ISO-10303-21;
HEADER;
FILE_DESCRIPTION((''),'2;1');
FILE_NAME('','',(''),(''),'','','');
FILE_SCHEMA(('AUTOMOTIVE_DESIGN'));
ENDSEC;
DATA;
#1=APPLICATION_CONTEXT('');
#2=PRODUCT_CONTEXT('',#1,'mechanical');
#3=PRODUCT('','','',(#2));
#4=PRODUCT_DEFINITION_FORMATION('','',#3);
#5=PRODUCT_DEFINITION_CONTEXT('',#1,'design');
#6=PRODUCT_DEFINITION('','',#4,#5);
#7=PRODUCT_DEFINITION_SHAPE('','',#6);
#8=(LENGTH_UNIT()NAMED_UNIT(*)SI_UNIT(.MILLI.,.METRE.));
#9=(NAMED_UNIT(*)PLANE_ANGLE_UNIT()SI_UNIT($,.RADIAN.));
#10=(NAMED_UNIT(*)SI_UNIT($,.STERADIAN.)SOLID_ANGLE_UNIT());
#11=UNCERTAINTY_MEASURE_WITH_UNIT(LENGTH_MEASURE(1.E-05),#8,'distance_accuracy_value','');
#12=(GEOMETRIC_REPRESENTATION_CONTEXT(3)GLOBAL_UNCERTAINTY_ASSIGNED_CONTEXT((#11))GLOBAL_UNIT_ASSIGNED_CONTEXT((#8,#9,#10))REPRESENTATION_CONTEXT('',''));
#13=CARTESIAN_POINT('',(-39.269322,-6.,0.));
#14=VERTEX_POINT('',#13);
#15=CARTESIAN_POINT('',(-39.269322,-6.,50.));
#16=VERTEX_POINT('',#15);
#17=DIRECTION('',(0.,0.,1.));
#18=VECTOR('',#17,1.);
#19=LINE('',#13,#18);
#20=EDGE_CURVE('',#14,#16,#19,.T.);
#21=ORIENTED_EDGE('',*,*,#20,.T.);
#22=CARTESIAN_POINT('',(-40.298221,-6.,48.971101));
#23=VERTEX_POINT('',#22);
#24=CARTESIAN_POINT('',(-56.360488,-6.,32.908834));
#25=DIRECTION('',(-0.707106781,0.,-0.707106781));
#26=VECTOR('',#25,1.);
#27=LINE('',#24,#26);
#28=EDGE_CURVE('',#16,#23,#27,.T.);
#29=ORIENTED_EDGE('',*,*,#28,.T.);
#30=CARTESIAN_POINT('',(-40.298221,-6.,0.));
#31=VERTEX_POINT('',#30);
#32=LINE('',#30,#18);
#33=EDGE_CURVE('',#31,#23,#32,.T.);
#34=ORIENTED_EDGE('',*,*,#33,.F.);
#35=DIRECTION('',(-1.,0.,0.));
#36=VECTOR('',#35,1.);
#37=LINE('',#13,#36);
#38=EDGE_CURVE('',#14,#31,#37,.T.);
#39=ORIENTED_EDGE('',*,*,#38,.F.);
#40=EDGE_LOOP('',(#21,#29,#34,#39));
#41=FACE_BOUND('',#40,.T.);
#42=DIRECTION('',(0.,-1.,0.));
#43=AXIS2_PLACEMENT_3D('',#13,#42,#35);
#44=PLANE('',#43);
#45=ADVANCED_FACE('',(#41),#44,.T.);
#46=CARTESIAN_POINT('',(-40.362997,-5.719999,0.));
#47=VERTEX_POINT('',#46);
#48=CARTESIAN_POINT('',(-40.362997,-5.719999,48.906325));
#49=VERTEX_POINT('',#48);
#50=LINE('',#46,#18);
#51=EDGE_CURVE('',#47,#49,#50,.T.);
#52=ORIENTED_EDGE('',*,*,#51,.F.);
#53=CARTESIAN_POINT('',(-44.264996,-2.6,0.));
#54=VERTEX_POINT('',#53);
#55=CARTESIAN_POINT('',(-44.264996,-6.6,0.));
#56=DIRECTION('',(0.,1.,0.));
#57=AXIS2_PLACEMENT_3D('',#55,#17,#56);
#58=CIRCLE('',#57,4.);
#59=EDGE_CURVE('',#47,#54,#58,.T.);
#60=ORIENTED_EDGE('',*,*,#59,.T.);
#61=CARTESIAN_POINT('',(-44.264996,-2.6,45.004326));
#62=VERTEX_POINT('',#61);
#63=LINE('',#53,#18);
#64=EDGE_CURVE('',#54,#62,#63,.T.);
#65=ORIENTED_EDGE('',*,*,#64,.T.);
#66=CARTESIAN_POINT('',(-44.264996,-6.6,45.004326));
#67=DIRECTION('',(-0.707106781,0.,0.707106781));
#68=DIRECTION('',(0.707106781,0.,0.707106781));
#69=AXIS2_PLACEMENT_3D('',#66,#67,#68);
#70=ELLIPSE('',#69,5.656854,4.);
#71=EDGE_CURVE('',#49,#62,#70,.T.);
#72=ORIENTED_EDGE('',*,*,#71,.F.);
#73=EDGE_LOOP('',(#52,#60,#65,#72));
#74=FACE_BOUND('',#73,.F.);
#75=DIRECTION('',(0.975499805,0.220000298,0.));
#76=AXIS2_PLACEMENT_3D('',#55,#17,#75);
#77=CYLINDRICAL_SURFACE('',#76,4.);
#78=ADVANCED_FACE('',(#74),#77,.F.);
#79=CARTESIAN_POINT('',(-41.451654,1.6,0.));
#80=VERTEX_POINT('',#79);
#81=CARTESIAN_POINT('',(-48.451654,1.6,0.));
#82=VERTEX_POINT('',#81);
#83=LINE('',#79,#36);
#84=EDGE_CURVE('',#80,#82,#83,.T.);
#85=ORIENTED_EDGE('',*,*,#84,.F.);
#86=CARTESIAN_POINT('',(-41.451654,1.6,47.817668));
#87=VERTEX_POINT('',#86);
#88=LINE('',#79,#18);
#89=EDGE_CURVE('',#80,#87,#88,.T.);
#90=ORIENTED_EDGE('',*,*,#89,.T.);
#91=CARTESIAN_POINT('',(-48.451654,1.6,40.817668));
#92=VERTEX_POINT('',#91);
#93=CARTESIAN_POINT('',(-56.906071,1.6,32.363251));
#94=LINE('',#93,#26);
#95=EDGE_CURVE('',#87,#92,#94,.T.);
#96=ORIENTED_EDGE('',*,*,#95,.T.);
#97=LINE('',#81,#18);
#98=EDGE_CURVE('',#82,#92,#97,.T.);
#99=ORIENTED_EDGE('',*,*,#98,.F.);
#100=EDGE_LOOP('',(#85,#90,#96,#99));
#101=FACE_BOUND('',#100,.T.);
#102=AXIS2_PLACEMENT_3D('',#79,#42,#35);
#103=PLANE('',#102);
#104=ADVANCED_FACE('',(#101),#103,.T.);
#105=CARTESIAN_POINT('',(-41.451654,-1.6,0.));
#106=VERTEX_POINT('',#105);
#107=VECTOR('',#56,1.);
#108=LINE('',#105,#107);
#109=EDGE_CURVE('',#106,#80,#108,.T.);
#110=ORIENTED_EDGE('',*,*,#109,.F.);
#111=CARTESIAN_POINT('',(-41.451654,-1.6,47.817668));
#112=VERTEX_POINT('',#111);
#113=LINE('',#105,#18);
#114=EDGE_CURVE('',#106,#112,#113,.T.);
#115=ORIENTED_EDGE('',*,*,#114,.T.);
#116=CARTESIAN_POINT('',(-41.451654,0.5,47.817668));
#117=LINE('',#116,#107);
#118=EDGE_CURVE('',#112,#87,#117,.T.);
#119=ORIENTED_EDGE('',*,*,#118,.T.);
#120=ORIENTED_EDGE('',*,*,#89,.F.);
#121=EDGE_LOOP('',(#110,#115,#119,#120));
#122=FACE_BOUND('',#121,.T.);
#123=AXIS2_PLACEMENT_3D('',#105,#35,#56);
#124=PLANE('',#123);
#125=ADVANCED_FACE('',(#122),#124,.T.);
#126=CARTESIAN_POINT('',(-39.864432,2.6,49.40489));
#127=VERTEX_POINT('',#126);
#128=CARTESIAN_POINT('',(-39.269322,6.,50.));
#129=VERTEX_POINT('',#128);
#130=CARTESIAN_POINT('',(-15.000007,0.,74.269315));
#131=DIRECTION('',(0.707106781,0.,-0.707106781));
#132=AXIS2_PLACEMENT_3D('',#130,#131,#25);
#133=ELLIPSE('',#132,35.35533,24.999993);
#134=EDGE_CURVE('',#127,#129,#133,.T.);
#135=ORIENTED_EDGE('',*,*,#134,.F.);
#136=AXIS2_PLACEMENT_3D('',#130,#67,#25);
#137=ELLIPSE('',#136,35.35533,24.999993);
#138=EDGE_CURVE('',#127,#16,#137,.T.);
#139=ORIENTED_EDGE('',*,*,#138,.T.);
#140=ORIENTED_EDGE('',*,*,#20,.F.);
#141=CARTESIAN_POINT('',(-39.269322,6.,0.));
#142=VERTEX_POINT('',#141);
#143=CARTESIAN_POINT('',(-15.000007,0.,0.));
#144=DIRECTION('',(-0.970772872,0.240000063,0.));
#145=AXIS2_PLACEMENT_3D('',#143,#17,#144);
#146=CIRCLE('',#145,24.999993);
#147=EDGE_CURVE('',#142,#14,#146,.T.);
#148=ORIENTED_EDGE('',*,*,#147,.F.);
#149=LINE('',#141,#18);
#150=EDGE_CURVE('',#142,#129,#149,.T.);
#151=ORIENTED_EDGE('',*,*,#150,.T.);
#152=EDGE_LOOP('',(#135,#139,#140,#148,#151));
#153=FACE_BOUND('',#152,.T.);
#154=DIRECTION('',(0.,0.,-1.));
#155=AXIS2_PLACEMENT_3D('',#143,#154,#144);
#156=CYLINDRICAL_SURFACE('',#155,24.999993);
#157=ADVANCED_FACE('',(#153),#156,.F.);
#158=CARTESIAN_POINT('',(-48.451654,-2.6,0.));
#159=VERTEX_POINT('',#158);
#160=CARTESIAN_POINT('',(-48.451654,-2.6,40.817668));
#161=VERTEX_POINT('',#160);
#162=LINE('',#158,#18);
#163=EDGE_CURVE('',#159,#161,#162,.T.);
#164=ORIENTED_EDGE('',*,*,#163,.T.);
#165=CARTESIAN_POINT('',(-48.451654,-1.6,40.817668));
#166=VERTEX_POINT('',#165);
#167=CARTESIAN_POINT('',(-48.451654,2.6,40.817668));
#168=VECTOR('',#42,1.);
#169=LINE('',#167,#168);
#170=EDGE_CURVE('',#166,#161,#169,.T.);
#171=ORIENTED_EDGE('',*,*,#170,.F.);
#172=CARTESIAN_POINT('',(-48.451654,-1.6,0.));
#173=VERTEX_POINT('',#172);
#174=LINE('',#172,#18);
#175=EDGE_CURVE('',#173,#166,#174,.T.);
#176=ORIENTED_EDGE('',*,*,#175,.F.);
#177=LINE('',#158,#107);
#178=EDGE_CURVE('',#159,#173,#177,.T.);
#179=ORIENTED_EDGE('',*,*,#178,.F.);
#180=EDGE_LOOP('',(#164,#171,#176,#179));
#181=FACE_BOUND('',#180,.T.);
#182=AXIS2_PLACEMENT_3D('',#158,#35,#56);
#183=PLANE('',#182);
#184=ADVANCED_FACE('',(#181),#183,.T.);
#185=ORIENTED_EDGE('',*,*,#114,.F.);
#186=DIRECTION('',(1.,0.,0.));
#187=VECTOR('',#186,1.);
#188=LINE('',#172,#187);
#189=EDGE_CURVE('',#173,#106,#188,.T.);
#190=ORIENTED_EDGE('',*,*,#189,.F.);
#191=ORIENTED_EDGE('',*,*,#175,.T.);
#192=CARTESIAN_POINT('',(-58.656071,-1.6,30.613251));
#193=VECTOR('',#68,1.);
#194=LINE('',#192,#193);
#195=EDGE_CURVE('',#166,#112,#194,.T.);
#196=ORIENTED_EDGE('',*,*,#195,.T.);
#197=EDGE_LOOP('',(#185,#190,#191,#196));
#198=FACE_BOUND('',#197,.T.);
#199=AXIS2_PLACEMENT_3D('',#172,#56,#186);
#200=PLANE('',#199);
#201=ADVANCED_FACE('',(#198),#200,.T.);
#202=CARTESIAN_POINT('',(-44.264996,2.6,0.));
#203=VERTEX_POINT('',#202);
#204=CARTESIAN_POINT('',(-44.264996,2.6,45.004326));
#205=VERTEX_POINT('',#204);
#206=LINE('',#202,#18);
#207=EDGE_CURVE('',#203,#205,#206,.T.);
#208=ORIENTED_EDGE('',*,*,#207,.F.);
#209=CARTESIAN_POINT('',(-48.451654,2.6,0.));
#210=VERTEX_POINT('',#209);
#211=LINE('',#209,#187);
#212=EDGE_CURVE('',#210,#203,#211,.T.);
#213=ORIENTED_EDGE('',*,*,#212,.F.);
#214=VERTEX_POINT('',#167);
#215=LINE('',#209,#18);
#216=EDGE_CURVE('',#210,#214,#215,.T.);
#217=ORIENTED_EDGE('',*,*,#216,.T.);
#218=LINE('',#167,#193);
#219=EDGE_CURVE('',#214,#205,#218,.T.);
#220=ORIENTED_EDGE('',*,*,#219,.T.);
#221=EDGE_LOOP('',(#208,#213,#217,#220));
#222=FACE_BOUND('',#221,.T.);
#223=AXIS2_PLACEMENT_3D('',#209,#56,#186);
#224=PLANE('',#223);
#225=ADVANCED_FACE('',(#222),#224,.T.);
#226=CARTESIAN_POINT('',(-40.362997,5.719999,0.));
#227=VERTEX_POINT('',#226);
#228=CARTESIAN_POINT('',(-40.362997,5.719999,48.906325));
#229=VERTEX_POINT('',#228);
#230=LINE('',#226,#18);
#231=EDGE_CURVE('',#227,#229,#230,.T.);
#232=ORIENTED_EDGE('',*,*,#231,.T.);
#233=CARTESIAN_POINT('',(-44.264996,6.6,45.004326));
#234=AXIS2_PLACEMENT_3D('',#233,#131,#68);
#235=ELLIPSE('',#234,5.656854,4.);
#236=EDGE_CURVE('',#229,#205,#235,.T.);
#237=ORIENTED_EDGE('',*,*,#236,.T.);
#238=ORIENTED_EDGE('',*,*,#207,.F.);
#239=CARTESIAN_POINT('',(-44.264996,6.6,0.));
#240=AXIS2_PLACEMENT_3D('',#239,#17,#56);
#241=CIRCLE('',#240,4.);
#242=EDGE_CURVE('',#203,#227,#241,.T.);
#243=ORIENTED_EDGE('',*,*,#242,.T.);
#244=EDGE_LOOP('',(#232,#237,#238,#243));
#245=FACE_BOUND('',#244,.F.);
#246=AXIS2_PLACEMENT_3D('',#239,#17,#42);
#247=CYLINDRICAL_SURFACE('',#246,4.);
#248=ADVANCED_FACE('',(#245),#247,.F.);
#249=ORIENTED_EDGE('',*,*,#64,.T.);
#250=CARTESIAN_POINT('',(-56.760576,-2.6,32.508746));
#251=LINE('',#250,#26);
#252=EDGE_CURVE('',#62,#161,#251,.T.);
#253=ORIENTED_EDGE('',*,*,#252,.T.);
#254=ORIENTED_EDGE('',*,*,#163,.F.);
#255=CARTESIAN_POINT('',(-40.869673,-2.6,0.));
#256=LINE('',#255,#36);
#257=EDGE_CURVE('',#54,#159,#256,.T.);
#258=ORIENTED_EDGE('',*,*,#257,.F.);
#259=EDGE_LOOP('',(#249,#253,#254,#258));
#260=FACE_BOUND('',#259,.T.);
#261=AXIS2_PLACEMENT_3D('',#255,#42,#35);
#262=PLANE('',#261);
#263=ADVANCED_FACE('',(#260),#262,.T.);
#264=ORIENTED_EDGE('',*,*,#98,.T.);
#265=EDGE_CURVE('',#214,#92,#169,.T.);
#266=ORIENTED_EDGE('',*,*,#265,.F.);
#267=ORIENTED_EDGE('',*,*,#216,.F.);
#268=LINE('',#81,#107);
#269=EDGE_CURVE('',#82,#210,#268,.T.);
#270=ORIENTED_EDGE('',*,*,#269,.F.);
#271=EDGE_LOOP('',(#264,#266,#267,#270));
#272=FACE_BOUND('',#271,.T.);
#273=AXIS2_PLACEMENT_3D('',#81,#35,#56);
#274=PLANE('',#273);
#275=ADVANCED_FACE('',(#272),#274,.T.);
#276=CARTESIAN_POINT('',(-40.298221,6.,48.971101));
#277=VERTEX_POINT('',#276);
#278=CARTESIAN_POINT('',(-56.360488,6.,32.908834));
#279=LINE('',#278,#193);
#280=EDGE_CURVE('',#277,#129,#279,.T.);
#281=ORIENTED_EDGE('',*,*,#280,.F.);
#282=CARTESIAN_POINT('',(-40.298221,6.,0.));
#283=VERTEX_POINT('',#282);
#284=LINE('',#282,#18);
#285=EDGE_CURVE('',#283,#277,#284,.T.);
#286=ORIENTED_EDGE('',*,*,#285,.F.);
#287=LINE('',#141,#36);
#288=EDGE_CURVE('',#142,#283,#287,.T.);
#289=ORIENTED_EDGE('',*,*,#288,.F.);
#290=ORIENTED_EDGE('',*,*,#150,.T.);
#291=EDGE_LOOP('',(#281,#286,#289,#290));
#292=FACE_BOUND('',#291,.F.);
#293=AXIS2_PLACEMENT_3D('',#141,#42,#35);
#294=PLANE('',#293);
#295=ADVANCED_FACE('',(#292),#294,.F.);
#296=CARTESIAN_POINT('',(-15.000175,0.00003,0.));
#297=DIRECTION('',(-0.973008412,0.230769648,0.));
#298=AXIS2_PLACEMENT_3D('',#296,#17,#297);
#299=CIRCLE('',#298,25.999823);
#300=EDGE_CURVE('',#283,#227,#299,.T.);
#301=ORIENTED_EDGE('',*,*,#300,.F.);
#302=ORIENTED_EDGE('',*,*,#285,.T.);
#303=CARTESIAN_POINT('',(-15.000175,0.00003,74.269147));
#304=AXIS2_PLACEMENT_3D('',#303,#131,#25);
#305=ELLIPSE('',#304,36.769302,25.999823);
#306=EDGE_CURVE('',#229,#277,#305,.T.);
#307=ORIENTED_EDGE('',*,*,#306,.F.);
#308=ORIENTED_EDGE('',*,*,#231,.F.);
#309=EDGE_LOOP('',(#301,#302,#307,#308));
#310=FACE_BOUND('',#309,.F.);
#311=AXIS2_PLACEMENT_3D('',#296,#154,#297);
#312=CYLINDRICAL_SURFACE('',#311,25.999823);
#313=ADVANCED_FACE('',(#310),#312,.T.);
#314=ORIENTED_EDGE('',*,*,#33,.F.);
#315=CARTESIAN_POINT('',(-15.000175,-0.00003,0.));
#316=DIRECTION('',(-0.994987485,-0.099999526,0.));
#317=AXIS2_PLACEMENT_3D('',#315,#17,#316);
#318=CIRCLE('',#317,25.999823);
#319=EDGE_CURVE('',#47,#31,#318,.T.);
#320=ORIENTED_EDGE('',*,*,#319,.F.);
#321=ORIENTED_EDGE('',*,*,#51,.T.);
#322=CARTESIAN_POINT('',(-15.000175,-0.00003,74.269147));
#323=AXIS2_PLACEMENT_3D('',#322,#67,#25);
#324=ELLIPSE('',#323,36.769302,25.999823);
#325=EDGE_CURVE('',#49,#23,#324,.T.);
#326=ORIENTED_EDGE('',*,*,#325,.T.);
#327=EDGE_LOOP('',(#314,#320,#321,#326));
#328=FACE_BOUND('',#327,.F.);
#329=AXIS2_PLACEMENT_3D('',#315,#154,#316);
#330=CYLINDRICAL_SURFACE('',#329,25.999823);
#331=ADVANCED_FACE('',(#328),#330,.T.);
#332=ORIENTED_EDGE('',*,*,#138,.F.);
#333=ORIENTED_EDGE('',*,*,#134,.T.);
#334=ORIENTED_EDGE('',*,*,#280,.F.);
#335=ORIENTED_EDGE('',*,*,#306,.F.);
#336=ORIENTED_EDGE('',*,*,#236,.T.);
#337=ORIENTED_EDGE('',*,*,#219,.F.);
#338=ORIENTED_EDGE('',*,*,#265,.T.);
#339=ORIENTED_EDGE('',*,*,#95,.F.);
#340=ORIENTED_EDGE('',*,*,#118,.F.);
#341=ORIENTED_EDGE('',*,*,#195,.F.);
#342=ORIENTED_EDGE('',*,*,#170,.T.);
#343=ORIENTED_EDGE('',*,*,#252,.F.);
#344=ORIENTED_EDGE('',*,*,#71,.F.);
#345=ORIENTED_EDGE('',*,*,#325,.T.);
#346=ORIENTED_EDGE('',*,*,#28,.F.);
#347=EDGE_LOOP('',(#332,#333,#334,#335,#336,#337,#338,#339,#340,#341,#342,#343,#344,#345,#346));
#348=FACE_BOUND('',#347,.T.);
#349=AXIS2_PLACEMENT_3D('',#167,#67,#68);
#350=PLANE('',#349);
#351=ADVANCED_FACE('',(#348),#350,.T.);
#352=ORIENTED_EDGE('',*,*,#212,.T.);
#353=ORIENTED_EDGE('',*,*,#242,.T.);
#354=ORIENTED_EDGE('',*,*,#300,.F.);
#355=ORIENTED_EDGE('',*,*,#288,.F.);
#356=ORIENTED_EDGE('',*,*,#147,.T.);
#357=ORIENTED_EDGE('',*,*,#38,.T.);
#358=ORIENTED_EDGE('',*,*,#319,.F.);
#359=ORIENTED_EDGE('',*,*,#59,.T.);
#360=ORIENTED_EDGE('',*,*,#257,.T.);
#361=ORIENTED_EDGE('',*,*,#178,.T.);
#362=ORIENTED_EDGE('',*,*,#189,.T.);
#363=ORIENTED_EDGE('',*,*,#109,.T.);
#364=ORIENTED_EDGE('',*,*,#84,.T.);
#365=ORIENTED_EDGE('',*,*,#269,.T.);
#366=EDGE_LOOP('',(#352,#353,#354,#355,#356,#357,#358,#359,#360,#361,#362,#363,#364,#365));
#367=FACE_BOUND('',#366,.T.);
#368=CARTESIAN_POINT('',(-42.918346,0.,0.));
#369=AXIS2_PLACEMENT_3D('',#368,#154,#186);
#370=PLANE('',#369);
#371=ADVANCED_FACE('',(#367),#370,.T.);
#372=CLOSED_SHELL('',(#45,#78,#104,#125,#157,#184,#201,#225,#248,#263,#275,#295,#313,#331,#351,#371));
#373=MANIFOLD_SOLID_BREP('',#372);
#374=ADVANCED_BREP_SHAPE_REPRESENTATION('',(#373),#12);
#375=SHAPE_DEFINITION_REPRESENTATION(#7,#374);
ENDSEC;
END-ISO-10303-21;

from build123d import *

# Parameters (mm, degrees)
PAD003_DEPTH            = 50
FILLET002_R             = 4
POCKET002_DEPTH         = 8.601
POCKET002_DEPTH_BACK    = 3.401
BODY004_PLACEMENT_ANGLE = 180


with BuildPart() as part:
    # Sketch006 → Pad003 (new body)
    with BuildSketch(Plane.XY):
        with BuildLine():
            ThreePointArc((24.269322, -6), (25, 0), (24.269322, 6))
            Line((24.269322, 6), (25.298221, 6))
            ThreePointArc((25.869673, 2.6), (25.640366, 4.309482), (25.298221, 6))
            Line((25.869673, 2.6), (33.451654, 2.6))
            Line((33.451654, 2.6), (33.451654, 1.6))
            Line((33.451654, 1.6), (26.451654, 1.6))
            Line((26.451654, 1.6), (26.451654, -1.6))
            Line((26.451654, -1.6), (33.451654, -1.6))
            Line((33.451654, -1.6), (33.451654, -2.6))
            Line((33.451654, -2.6), (25.869673, -2.6))
            ThreePointArc((25.298221, -6), (25.640366, -4.309482), (25.869673, -2.6))
            Line((24.269322, -6), (25.298221, -6))
        make_face()
    extrude(amount=PAD003_DEPTH)

    # Fillet002
    fillet002_edges = [part.edges().sort_by_distance(p)[0] for p in [
        (25.869673, -2.6, 25),
        (25.869673, 2.6, 25),
    ]]
    fillet(fillet002_edges, radius=FILLET002_R)

    # Sketch007 (on Face15 of Fillet002) → Pocket002 (cut, two sides)
    with BuildSketch(Plane.XZ.offset(2.6)) as pocket002_sk:
        Polygon((33.451654, 50), (33.451654, 40.817668), (24.269322, 50), align=None)
    extrude(amount=-POCKET002_DEPTH, mode=Mode.SUBTRACT)
    extrude(pocket002_sk.sketch, amount=POCKET002_DEPTH_BACK, mode=Mode.SUBTRACT)


with BuildPart() as part_1:
    # Body004 placement: moved
    add(part.part.moved(Location((-15, 0, 0))).rotate(Axis((-15, 0, 0), (0, 0, 1)), BODY004_PLACEMENT_ANGLE))


solid = part_1.part
